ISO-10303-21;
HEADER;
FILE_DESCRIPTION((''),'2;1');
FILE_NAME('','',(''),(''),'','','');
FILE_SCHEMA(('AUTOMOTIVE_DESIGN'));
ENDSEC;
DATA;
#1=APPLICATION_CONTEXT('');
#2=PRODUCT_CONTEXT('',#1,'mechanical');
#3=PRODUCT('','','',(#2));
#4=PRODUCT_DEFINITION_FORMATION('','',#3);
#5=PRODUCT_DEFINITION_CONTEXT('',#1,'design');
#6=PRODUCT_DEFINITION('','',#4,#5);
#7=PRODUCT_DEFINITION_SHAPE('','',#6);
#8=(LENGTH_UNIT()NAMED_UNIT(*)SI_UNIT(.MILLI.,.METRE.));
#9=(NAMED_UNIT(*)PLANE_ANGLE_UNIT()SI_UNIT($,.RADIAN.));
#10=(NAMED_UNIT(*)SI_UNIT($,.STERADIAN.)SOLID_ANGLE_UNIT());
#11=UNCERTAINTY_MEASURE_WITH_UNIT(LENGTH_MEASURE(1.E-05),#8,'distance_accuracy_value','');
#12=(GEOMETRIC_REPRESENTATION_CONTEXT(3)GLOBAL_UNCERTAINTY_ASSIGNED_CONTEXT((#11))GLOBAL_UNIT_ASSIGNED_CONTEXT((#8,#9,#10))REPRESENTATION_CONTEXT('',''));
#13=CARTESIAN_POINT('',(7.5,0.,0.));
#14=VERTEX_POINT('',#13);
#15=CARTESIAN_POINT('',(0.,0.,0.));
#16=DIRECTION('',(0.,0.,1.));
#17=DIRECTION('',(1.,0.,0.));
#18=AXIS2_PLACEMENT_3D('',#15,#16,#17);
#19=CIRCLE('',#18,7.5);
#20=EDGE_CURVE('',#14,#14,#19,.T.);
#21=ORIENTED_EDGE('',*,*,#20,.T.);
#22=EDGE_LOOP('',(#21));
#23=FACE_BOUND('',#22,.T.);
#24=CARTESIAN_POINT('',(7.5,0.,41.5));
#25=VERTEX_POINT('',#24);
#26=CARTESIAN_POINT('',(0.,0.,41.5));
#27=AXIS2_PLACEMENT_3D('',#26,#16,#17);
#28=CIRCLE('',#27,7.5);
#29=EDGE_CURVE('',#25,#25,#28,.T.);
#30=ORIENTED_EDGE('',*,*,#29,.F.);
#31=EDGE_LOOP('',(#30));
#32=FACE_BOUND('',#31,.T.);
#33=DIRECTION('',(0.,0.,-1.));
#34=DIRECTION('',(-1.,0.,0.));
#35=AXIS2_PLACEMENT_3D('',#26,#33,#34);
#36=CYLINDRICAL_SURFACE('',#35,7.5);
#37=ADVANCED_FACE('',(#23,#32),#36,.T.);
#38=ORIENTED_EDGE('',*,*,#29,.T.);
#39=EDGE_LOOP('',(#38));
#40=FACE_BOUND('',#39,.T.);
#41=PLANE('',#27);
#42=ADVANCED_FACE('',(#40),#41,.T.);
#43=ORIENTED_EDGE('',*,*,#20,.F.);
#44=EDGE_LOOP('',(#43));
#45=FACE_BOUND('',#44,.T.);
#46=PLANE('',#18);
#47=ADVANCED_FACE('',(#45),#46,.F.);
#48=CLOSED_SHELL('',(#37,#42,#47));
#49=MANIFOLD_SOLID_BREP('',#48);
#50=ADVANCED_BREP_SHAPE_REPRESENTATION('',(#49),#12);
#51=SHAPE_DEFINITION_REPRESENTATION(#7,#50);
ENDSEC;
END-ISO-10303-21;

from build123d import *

# Parameters (mm, degrees)
CROQUIS1_R              = 7.5
SALIENTE_EXTRUIR1_DEPTH = 41.5


with BuildPart() as part:
    # Croquis1 → Saliente-Extruir1 (new body)
    with BuildSketch(Plane.XY):
        Circle(CROQUIS1_R)
    extrude(amount=SALIENTE_EXTRUIR1_DEPTH)


solid = part.part
